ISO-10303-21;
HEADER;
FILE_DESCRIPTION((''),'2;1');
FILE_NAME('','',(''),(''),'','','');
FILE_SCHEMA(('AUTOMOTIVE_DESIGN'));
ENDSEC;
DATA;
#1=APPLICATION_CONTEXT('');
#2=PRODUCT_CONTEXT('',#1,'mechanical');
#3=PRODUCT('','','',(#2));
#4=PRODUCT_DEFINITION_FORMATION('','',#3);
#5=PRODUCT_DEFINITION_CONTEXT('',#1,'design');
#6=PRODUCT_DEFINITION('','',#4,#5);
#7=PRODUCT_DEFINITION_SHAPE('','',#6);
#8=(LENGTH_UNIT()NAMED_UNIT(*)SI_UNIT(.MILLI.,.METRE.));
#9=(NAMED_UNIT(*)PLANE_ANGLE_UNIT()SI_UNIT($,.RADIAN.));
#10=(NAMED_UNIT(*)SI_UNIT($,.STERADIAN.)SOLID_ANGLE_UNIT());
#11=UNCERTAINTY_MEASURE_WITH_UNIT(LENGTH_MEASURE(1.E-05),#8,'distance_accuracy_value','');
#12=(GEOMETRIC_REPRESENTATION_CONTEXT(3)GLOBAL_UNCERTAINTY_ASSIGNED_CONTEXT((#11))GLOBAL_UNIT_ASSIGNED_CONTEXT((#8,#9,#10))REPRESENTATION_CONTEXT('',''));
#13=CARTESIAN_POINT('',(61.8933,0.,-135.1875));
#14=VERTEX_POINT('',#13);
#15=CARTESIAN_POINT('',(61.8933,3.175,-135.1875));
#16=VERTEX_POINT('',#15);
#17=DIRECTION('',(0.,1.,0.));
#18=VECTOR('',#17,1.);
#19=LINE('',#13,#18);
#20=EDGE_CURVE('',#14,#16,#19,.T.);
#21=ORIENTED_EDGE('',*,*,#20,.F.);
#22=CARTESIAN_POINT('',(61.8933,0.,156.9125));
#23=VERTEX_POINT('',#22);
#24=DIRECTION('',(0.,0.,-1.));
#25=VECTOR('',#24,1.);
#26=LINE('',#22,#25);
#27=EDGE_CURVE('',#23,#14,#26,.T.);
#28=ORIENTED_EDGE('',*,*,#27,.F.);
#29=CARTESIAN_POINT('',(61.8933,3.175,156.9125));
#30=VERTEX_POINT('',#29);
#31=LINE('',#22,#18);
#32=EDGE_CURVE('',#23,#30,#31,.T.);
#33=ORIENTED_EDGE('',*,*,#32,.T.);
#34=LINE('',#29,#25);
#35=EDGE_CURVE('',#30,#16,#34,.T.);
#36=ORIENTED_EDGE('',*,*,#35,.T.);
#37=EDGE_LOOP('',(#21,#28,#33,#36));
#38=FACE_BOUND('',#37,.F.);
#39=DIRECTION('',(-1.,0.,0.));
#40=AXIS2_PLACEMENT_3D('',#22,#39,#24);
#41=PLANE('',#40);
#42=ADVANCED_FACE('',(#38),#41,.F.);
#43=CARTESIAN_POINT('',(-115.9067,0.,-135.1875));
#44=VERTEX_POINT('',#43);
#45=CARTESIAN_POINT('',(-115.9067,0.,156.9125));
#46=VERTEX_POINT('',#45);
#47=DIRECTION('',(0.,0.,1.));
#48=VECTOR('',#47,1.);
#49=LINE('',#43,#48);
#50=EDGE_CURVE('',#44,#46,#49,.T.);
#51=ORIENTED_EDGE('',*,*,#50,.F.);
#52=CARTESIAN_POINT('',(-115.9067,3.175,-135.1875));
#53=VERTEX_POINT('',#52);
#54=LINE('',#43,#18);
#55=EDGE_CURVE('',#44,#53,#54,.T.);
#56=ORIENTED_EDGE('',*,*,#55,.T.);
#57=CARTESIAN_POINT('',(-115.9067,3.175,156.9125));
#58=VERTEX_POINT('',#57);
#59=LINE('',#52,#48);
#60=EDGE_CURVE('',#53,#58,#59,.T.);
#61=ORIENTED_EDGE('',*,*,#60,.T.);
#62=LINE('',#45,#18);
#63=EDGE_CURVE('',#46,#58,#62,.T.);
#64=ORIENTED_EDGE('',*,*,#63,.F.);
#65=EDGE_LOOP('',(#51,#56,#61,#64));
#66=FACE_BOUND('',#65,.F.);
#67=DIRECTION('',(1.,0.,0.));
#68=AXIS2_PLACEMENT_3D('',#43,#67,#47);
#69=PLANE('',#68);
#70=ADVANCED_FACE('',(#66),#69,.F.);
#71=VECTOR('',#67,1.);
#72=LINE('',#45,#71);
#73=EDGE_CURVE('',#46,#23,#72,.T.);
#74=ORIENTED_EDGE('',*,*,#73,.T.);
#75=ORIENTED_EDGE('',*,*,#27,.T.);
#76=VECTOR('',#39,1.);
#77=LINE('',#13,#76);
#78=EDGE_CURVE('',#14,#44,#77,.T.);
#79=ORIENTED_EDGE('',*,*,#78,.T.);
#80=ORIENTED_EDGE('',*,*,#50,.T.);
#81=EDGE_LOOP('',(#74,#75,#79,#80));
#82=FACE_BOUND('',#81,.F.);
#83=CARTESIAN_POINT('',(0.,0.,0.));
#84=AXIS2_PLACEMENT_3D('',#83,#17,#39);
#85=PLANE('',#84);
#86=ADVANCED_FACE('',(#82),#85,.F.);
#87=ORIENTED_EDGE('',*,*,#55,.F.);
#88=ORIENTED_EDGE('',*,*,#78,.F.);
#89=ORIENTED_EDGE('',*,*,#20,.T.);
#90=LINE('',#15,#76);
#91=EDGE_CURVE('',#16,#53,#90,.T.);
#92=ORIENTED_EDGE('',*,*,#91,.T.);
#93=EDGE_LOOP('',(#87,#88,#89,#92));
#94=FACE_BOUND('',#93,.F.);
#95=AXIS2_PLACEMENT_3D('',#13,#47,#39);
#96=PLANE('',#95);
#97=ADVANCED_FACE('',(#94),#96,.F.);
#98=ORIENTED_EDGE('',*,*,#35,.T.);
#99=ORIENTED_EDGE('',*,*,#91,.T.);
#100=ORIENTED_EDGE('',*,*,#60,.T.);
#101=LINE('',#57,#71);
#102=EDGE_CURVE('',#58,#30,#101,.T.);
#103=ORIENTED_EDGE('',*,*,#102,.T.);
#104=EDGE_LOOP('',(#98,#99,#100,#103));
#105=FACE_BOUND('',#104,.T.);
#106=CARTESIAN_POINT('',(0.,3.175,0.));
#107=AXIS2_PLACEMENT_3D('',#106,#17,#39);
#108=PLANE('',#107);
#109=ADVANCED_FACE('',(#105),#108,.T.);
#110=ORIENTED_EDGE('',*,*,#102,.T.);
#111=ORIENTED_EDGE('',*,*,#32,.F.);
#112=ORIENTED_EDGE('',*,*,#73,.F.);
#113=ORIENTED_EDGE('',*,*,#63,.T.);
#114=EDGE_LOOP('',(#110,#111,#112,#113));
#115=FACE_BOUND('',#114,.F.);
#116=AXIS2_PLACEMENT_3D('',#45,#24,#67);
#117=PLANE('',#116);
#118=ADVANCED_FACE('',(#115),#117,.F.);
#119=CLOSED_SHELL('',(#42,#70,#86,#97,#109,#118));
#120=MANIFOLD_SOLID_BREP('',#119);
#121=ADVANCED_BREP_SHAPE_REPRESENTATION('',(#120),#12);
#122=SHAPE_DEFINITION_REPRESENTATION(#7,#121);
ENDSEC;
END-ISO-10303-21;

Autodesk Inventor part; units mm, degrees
ref_plane "YZ Plane" through (0, 0, 0) normal (1, 0, 0) x (0, 1, 0)
ref_plane "XZ Plane" through (0, 0, 0) normal (0, 1, 0) x (-1, 0, 0)
ref_plane "XY Plane" through (0, 0, 0) normal (0, 0, 1) x (1, 0, 0)
sketch "Sketch1" plane through (0, 0, 0) normal (0, 1, 0) x (-1, 0, 0)
  line L0 (115.9067, 156.9125) -> (-61.8933, 156.9125)
  line L1 (-61.8933, 156.9125) -> (-61.8933, -135.1875)
  line L2 (-61.8933, -135.1875) -> (115.9067, -135.1875)
  line L3 (115.9067, -135.1875) -> (115.9067, 156.9125)
  point P0 (0, 0)
  dimension "d0" = 292.1
  dimension "d1" = 177.8
extrude "Extrusion1" add sketch "Sketch1" along normal blind 3.175
properties part number "ControllerBoardMiddle" material "Polycarbonate, Clear"
